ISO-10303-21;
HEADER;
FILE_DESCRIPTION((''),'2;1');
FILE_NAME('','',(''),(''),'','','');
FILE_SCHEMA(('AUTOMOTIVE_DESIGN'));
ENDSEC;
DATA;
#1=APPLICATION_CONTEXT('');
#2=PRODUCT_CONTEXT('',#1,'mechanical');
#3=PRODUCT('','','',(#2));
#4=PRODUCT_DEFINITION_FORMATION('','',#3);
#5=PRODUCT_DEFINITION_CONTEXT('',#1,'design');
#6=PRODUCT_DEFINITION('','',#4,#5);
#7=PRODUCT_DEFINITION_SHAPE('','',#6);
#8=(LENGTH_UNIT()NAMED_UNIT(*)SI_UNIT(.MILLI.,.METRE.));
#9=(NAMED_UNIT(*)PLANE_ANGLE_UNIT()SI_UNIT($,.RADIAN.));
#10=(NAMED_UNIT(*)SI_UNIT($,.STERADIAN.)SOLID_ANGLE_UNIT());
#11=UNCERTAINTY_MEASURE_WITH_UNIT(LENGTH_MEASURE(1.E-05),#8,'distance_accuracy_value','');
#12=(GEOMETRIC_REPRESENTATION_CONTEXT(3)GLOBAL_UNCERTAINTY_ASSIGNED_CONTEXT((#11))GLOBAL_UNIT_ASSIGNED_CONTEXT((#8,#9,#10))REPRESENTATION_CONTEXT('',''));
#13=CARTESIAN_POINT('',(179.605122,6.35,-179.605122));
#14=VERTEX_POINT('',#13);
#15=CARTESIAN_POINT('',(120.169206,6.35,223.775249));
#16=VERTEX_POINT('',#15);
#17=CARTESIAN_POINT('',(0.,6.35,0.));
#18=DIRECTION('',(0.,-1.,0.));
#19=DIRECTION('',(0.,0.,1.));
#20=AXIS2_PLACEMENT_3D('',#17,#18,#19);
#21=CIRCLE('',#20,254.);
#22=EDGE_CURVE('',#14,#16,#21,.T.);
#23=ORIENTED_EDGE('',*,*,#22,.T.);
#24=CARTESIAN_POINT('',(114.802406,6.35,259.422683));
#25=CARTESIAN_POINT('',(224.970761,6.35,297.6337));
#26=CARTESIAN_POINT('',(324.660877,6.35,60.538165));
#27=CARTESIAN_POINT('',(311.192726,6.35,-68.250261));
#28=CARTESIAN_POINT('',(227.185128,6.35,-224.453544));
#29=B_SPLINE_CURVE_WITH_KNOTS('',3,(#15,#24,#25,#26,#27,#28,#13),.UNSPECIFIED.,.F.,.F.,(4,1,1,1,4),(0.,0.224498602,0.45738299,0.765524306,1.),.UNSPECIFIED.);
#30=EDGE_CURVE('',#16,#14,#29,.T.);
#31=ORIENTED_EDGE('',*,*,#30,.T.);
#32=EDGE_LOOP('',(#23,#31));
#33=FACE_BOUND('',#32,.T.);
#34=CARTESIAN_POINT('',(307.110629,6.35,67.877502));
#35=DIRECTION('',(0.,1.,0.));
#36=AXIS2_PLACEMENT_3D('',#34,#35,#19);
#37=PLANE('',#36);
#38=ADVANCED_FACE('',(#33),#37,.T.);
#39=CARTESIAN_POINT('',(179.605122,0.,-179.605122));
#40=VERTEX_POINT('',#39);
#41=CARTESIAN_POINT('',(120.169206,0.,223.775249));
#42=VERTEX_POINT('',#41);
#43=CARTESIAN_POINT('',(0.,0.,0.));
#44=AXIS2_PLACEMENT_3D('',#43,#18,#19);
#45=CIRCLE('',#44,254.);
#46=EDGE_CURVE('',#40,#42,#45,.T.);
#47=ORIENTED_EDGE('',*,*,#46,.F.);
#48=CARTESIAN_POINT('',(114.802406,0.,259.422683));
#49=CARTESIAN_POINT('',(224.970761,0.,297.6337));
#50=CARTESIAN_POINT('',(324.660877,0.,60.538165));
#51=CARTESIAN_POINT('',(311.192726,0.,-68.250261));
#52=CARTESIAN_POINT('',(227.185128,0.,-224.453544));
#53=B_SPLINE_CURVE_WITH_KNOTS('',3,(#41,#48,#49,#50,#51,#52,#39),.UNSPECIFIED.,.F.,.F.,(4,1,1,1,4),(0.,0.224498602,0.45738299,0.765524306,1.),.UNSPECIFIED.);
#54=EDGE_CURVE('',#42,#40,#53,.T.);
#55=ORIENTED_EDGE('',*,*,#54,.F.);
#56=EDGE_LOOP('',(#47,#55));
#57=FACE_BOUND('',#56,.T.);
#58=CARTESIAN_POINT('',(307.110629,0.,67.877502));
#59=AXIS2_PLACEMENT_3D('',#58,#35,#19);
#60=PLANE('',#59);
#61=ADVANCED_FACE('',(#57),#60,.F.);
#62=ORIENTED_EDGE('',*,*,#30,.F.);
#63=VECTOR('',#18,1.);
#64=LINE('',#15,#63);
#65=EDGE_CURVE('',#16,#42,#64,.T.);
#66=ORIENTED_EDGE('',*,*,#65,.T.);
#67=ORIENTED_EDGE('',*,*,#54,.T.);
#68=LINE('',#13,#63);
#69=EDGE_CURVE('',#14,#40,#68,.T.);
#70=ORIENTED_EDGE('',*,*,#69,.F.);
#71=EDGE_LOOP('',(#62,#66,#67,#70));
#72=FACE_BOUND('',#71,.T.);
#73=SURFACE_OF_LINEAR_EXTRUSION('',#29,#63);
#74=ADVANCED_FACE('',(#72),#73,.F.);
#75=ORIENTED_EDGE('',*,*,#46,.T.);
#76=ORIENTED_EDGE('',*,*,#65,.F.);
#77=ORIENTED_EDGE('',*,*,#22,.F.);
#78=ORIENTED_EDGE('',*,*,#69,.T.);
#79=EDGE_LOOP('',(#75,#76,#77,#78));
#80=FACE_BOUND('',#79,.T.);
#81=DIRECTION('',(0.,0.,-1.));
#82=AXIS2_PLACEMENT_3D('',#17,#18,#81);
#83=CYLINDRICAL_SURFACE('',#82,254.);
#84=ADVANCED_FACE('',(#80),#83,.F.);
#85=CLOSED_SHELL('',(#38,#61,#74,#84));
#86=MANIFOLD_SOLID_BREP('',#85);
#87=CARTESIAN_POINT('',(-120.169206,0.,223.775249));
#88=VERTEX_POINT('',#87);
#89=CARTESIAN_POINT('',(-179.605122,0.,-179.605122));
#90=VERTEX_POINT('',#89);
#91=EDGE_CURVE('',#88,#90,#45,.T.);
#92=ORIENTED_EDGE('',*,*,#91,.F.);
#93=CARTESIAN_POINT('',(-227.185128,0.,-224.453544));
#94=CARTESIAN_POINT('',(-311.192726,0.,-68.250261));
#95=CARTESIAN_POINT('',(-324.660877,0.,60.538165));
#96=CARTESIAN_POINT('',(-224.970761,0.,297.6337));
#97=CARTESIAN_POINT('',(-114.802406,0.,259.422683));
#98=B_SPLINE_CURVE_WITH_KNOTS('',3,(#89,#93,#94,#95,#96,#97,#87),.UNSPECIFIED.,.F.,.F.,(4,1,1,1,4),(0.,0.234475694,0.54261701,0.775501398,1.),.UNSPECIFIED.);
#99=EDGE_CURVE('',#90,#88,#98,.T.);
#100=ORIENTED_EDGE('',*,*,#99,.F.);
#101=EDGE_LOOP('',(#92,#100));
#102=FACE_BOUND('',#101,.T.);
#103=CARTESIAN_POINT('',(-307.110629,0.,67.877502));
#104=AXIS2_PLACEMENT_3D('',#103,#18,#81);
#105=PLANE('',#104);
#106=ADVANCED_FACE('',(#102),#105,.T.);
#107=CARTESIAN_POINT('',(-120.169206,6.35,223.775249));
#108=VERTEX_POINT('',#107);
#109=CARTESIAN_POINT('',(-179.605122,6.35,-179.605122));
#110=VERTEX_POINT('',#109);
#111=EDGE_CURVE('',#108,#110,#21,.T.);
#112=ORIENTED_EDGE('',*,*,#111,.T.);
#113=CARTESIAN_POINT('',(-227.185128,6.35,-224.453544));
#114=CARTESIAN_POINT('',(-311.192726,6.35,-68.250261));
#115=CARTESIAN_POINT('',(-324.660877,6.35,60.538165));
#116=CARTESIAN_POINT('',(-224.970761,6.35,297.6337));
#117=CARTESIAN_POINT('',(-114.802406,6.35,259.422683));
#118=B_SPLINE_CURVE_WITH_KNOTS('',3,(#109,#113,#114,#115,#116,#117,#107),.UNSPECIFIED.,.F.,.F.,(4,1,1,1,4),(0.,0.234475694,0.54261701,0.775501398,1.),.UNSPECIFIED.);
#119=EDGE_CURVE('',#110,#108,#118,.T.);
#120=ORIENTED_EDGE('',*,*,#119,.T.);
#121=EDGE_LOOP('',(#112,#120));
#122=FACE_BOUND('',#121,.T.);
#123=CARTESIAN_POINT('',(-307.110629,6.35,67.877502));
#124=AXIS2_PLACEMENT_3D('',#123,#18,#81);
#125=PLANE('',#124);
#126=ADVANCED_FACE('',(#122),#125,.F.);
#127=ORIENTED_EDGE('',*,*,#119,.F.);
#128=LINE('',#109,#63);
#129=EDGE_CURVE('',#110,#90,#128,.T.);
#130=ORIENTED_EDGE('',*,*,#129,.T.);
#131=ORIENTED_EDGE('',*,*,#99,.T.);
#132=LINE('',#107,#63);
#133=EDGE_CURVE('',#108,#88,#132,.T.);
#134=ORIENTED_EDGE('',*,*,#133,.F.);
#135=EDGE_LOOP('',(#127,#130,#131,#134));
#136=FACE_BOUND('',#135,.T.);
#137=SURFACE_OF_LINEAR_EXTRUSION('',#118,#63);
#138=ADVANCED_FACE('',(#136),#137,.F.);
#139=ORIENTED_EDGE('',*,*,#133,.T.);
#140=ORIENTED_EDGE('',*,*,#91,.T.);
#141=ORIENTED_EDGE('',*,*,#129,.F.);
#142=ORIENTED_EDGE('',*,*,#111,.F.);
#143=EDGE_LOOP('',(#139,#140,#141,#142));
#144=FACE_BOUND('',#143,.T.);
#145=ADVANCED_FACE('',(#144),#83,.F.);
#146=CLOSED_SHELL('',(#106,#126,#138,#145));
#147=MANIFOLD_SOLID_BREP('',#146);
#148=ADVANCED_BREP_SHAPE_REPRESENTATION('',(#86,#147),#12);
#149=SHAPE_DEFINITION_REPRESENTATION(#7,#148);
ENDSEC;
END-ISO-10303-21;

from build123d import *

# Parameters (mm, degrees)
BOSS_EXTRUDE1_DEPTH   = 6.35
BOSS_EXTRUDE1_2_DEPTH = 6.35


with BuildPart() as part:
    # Sketch1 → Boss-Extrude1 (new body)
    with BuildSketch(Plane(origin=(0, 0, 0), x_dir=(1, 0, 0), z_dir=(0, 1, 0))):
        with BuildLine():
            ThreePointArc((-179.605122421, 179.605122421), (-251.286873815, -37.025761955), (-120.169206136, -223.775248624))
            add(Edge.make_bspline(
                [(-179.605122421, 179.605122421), (-227.185128051, 224.453544186), (-311.192726479, 68.250260732), (-324.660877097, -60.538165424), (-224.970761471, -297.63369959), (-114.802406282, -259.422683492), (-120.169206136, -223.775248624)],
                knots=[0, 0, 0, 0, 0.234475694, 0.54261701, 0.775501398, 1, 1, 1, 1], degree=3))
        make_face()
    extrude(amount=BOSS_EXTRUDE1_DEPTH)


with BuildPart() as body_2:
    # Sketch1 → Boss-Extrude1 2 (new body)
    with BuildSketch(Plane(origin=(0, 0, 0), x_dir=(1, 0, 0), z_dir=(0, 1, 0))):
        with BuildLine():
            ThreePointArc((120.169206136, -223.775248624), (251.286873815, -37.025761955), (179.605122421, 179.605122421))
            add(Edge.make_bspline(
                [(179.605122421, 179.605122421), (227.185128051, 224.453544186), (311.192726479, 68.250260732), (324.660877097, -60.538165424), (224.970761471, -297.63369959), (114.802406282, -259.422683492), (120.169206136, -223.775248624)],
                knots=[0, 0, 0, 0, 0.234475694, 0.54261701, 0.775501398, 1, 1, 1, 1], degree=3))
        make_face()
    extrude(amount=BOSS_EXTRUDE1_2_DEPTH)


solid = Compound([part.part, body_2.part])
